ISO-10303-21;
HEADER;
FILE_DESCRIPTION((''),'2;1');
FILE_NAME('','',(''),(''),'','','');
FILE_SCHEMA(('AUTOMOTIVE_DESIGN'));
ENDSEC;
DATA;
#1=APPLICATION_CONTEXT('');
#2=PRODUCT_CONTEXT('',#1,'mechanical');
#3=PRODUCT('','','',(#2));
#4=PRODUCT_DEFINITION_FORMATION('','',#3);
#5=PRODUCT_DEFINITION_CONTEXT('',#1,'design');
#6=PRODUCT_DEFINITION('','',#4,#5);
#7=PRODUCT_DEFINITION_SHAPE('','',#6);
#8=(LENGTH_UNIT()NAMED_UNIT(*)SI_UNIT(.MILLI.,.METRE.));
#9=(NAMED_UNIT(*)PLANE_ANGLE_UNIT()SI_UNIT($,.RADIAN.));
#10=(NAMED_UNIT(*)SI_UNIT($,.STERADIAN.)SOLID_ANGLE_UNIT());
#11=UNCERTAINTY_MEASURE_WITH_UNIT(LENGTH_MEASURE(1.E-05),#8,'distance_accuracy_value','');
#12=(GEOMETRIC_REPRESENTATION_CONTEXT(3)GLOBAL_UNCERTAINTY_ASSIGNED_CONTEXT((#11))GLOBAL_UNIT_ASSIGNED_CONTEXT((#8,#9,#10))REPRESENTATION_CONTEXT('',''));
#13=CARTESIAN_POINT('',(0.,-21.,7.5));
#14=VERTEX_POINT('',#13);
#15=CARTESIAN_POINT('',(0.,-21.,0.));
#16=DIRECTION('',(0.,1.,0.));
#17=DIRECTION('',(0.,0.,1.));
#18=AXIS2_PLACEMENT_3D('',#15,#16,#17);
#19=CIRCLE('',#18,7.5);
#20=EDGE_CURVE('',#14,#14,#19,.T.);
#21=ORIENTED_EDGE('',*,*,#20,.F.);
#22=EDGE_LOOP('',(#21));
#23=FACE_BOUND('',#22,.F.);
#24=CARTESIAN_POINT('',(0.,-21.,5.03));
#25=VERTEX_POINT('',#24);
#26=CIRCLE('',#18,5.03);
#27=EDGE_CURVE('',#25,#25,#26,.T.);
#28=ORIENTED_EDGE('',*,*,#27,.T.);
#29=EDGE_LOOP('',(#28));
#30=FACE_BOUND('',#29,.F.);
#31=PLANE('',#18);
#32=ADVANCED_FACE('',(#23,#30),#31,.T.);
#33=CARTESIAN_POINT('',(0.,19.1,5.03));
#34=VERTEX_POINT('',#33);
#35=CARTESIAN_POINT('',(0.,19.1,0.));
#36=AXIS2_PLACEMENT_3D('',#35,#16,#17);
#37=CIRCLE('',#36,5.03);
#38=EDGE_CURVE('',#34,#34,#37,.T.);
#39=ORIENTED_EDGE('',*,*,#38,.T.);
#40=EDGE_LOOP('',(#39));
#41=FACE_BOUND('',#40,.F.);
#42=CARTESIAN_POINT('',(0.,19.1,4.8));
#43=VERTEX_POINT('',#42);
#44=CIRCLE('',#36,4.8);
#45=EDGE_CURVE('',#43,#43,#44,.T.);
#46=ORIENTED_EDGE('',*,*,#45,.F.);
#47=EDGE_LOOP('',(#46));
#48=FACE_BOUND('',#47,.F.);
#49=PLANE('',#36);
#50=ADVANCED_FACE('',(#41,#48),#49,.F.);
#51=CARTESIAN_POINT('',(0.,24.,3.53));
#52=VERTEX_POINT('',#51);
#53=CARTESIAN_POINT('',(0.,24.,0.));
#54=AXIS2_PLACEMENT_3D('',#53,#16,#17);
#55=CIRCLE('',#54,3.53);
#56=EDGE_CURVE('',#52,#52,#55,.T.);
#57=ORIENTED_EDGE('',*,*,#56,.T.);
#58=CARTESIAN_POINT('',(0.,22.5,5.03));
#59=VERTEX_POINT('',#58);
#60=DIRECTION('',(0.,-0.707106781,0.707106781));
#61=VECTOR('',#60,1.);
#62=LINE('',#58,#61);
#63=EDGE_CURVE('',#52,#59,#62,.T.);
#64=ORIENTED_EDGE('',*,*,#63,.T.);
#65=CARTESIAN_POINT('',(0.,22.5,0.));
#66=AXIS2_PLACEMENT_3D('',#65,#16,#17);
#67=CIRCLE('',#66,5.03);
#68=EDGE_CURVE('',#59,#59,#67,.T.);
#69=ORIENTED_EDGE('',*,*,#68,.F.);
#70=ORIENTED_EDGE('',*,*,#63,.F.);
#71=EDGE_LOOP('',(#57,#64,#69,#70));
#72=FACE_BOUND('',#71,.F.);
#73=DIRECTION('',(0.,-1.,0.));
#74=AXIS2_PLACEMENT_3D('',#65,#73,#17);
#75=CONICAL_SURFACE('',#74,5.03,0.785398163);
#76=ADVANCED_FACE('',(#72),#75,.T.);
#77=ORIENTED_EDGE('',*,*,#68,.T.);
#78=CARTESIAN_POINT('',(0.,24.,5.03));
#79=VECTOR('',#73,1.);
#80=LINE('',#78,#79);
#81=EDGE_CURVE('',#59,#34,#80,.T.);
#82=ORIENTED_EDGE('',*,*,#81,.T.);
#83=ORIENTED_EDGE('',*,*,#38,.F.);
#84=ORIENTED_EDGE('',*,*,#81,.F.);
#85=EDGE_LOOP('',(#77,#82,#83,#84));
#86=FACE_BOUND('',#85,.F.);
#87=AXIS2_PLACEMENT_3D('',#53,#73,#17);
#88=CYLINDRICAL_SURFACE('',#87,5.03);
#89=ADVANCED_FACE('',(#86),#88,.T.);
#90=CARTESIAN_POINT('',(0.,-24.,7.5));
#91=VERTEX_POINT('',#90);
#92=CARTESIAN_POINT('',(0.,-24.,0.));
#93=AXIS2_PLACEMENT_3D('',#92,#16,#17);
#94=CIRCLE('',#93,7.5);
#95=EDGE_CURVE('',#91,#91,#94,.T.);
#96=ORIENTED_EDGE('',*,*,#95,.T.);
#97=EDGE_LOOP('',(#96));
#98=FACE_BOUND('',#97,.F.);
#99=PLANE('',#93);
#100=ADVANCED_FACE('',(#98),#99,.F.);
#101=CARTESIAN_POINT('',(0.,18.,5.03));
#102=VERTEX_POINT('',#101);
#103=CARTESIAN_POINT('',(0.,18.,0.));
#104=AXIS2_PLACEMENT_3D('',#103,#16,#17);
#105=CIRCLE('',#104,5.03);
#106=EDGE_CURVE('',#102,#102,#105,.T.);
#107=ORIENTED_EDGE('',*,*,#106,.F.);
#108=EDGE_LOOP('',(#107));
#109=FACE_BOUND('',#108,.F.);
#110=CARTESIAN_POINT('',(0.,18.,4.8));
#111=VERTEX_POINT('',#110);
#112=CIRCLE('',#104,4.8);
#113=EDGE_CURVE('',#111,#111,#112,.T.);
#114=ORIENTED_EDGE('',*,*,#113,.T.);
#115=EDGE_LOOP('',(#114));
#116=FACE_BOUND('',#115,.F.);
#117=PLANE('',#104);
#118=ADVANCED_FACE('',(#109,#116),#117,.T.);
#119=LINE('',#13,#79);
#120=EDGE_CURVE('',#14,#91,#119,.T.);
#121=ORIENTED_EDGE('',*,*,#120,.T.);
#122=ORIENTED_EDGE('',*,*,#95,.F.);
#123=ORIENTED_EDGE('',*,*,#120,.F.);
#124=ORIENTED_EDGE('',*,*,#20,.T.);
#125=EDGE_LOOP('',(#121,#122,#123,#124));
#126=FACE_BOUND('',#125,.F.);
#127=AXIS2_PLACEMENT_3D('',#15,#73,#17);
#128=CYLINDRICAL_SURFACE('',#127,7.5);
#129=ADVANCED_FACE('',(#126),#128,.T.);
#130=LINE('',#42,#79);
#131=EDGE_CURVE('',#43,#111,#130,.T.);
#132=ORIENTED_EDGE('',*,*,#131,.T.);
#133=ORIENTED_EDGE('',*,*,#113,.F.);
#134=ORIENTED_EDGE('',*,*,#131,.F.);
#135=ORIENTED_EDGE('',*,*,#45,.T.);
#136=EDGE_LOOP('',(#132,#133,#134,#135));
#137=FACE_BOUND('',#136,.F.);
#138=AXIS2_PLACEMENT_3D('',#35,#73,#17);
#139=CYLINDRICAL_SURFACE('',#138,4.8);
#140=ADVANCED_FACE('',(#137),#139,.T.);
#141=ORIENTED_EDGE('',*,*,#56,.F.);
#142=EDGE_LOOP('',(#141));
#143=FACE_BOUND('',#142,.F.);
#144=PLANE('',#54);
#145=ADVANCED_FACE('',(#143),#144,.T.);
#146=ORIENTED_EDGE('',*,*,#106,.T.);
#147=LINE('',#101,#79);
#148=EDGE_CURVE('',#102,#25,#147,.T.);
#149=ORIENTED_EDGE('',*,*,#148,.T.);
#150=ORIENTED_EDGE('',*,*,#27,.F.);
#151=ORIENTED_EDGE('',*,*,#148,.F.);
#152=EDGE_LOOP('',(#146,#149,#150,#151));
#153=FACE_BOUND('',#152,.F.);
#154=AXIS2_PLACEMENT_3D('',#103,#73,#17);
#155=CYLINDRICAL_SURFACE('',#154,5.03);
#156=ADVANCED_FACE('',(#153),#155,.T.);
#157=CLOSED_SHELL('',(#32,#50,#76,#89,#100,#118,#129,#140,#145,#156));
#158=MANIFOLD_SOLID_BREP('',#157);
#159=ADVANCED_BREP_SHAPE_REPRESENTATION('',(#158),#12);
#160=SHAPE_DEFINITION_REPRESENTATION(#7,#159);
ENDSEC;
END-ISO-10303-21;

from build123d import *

# Parameters (mm, degrees)
F2_SIZE = 1.5


with BuildPart() as f1:
    # F0 (on Right) → F1 (revolve)
    with BuildSketch(Plane.YZ):
        Polygon((-21, 5.03), (-21, 7.5), (-24, 7.5), (-24, 0), (24, 0), (24, 5.03), (19.1, 5.03), (19.1, 4.8), (18, 4.8), (18, 5.03), align=None)
    revolve(axis=Axis((0, 0, 0), (0, 1, 0)))

    # F2
    f2_edges = [f1.edges().sort_by_distance(p)[0] for p in [
        (0, 24, -5.03),
    ]]
    chamfer(f2_edges, length=F2_SIZE)


solid = f1.part
